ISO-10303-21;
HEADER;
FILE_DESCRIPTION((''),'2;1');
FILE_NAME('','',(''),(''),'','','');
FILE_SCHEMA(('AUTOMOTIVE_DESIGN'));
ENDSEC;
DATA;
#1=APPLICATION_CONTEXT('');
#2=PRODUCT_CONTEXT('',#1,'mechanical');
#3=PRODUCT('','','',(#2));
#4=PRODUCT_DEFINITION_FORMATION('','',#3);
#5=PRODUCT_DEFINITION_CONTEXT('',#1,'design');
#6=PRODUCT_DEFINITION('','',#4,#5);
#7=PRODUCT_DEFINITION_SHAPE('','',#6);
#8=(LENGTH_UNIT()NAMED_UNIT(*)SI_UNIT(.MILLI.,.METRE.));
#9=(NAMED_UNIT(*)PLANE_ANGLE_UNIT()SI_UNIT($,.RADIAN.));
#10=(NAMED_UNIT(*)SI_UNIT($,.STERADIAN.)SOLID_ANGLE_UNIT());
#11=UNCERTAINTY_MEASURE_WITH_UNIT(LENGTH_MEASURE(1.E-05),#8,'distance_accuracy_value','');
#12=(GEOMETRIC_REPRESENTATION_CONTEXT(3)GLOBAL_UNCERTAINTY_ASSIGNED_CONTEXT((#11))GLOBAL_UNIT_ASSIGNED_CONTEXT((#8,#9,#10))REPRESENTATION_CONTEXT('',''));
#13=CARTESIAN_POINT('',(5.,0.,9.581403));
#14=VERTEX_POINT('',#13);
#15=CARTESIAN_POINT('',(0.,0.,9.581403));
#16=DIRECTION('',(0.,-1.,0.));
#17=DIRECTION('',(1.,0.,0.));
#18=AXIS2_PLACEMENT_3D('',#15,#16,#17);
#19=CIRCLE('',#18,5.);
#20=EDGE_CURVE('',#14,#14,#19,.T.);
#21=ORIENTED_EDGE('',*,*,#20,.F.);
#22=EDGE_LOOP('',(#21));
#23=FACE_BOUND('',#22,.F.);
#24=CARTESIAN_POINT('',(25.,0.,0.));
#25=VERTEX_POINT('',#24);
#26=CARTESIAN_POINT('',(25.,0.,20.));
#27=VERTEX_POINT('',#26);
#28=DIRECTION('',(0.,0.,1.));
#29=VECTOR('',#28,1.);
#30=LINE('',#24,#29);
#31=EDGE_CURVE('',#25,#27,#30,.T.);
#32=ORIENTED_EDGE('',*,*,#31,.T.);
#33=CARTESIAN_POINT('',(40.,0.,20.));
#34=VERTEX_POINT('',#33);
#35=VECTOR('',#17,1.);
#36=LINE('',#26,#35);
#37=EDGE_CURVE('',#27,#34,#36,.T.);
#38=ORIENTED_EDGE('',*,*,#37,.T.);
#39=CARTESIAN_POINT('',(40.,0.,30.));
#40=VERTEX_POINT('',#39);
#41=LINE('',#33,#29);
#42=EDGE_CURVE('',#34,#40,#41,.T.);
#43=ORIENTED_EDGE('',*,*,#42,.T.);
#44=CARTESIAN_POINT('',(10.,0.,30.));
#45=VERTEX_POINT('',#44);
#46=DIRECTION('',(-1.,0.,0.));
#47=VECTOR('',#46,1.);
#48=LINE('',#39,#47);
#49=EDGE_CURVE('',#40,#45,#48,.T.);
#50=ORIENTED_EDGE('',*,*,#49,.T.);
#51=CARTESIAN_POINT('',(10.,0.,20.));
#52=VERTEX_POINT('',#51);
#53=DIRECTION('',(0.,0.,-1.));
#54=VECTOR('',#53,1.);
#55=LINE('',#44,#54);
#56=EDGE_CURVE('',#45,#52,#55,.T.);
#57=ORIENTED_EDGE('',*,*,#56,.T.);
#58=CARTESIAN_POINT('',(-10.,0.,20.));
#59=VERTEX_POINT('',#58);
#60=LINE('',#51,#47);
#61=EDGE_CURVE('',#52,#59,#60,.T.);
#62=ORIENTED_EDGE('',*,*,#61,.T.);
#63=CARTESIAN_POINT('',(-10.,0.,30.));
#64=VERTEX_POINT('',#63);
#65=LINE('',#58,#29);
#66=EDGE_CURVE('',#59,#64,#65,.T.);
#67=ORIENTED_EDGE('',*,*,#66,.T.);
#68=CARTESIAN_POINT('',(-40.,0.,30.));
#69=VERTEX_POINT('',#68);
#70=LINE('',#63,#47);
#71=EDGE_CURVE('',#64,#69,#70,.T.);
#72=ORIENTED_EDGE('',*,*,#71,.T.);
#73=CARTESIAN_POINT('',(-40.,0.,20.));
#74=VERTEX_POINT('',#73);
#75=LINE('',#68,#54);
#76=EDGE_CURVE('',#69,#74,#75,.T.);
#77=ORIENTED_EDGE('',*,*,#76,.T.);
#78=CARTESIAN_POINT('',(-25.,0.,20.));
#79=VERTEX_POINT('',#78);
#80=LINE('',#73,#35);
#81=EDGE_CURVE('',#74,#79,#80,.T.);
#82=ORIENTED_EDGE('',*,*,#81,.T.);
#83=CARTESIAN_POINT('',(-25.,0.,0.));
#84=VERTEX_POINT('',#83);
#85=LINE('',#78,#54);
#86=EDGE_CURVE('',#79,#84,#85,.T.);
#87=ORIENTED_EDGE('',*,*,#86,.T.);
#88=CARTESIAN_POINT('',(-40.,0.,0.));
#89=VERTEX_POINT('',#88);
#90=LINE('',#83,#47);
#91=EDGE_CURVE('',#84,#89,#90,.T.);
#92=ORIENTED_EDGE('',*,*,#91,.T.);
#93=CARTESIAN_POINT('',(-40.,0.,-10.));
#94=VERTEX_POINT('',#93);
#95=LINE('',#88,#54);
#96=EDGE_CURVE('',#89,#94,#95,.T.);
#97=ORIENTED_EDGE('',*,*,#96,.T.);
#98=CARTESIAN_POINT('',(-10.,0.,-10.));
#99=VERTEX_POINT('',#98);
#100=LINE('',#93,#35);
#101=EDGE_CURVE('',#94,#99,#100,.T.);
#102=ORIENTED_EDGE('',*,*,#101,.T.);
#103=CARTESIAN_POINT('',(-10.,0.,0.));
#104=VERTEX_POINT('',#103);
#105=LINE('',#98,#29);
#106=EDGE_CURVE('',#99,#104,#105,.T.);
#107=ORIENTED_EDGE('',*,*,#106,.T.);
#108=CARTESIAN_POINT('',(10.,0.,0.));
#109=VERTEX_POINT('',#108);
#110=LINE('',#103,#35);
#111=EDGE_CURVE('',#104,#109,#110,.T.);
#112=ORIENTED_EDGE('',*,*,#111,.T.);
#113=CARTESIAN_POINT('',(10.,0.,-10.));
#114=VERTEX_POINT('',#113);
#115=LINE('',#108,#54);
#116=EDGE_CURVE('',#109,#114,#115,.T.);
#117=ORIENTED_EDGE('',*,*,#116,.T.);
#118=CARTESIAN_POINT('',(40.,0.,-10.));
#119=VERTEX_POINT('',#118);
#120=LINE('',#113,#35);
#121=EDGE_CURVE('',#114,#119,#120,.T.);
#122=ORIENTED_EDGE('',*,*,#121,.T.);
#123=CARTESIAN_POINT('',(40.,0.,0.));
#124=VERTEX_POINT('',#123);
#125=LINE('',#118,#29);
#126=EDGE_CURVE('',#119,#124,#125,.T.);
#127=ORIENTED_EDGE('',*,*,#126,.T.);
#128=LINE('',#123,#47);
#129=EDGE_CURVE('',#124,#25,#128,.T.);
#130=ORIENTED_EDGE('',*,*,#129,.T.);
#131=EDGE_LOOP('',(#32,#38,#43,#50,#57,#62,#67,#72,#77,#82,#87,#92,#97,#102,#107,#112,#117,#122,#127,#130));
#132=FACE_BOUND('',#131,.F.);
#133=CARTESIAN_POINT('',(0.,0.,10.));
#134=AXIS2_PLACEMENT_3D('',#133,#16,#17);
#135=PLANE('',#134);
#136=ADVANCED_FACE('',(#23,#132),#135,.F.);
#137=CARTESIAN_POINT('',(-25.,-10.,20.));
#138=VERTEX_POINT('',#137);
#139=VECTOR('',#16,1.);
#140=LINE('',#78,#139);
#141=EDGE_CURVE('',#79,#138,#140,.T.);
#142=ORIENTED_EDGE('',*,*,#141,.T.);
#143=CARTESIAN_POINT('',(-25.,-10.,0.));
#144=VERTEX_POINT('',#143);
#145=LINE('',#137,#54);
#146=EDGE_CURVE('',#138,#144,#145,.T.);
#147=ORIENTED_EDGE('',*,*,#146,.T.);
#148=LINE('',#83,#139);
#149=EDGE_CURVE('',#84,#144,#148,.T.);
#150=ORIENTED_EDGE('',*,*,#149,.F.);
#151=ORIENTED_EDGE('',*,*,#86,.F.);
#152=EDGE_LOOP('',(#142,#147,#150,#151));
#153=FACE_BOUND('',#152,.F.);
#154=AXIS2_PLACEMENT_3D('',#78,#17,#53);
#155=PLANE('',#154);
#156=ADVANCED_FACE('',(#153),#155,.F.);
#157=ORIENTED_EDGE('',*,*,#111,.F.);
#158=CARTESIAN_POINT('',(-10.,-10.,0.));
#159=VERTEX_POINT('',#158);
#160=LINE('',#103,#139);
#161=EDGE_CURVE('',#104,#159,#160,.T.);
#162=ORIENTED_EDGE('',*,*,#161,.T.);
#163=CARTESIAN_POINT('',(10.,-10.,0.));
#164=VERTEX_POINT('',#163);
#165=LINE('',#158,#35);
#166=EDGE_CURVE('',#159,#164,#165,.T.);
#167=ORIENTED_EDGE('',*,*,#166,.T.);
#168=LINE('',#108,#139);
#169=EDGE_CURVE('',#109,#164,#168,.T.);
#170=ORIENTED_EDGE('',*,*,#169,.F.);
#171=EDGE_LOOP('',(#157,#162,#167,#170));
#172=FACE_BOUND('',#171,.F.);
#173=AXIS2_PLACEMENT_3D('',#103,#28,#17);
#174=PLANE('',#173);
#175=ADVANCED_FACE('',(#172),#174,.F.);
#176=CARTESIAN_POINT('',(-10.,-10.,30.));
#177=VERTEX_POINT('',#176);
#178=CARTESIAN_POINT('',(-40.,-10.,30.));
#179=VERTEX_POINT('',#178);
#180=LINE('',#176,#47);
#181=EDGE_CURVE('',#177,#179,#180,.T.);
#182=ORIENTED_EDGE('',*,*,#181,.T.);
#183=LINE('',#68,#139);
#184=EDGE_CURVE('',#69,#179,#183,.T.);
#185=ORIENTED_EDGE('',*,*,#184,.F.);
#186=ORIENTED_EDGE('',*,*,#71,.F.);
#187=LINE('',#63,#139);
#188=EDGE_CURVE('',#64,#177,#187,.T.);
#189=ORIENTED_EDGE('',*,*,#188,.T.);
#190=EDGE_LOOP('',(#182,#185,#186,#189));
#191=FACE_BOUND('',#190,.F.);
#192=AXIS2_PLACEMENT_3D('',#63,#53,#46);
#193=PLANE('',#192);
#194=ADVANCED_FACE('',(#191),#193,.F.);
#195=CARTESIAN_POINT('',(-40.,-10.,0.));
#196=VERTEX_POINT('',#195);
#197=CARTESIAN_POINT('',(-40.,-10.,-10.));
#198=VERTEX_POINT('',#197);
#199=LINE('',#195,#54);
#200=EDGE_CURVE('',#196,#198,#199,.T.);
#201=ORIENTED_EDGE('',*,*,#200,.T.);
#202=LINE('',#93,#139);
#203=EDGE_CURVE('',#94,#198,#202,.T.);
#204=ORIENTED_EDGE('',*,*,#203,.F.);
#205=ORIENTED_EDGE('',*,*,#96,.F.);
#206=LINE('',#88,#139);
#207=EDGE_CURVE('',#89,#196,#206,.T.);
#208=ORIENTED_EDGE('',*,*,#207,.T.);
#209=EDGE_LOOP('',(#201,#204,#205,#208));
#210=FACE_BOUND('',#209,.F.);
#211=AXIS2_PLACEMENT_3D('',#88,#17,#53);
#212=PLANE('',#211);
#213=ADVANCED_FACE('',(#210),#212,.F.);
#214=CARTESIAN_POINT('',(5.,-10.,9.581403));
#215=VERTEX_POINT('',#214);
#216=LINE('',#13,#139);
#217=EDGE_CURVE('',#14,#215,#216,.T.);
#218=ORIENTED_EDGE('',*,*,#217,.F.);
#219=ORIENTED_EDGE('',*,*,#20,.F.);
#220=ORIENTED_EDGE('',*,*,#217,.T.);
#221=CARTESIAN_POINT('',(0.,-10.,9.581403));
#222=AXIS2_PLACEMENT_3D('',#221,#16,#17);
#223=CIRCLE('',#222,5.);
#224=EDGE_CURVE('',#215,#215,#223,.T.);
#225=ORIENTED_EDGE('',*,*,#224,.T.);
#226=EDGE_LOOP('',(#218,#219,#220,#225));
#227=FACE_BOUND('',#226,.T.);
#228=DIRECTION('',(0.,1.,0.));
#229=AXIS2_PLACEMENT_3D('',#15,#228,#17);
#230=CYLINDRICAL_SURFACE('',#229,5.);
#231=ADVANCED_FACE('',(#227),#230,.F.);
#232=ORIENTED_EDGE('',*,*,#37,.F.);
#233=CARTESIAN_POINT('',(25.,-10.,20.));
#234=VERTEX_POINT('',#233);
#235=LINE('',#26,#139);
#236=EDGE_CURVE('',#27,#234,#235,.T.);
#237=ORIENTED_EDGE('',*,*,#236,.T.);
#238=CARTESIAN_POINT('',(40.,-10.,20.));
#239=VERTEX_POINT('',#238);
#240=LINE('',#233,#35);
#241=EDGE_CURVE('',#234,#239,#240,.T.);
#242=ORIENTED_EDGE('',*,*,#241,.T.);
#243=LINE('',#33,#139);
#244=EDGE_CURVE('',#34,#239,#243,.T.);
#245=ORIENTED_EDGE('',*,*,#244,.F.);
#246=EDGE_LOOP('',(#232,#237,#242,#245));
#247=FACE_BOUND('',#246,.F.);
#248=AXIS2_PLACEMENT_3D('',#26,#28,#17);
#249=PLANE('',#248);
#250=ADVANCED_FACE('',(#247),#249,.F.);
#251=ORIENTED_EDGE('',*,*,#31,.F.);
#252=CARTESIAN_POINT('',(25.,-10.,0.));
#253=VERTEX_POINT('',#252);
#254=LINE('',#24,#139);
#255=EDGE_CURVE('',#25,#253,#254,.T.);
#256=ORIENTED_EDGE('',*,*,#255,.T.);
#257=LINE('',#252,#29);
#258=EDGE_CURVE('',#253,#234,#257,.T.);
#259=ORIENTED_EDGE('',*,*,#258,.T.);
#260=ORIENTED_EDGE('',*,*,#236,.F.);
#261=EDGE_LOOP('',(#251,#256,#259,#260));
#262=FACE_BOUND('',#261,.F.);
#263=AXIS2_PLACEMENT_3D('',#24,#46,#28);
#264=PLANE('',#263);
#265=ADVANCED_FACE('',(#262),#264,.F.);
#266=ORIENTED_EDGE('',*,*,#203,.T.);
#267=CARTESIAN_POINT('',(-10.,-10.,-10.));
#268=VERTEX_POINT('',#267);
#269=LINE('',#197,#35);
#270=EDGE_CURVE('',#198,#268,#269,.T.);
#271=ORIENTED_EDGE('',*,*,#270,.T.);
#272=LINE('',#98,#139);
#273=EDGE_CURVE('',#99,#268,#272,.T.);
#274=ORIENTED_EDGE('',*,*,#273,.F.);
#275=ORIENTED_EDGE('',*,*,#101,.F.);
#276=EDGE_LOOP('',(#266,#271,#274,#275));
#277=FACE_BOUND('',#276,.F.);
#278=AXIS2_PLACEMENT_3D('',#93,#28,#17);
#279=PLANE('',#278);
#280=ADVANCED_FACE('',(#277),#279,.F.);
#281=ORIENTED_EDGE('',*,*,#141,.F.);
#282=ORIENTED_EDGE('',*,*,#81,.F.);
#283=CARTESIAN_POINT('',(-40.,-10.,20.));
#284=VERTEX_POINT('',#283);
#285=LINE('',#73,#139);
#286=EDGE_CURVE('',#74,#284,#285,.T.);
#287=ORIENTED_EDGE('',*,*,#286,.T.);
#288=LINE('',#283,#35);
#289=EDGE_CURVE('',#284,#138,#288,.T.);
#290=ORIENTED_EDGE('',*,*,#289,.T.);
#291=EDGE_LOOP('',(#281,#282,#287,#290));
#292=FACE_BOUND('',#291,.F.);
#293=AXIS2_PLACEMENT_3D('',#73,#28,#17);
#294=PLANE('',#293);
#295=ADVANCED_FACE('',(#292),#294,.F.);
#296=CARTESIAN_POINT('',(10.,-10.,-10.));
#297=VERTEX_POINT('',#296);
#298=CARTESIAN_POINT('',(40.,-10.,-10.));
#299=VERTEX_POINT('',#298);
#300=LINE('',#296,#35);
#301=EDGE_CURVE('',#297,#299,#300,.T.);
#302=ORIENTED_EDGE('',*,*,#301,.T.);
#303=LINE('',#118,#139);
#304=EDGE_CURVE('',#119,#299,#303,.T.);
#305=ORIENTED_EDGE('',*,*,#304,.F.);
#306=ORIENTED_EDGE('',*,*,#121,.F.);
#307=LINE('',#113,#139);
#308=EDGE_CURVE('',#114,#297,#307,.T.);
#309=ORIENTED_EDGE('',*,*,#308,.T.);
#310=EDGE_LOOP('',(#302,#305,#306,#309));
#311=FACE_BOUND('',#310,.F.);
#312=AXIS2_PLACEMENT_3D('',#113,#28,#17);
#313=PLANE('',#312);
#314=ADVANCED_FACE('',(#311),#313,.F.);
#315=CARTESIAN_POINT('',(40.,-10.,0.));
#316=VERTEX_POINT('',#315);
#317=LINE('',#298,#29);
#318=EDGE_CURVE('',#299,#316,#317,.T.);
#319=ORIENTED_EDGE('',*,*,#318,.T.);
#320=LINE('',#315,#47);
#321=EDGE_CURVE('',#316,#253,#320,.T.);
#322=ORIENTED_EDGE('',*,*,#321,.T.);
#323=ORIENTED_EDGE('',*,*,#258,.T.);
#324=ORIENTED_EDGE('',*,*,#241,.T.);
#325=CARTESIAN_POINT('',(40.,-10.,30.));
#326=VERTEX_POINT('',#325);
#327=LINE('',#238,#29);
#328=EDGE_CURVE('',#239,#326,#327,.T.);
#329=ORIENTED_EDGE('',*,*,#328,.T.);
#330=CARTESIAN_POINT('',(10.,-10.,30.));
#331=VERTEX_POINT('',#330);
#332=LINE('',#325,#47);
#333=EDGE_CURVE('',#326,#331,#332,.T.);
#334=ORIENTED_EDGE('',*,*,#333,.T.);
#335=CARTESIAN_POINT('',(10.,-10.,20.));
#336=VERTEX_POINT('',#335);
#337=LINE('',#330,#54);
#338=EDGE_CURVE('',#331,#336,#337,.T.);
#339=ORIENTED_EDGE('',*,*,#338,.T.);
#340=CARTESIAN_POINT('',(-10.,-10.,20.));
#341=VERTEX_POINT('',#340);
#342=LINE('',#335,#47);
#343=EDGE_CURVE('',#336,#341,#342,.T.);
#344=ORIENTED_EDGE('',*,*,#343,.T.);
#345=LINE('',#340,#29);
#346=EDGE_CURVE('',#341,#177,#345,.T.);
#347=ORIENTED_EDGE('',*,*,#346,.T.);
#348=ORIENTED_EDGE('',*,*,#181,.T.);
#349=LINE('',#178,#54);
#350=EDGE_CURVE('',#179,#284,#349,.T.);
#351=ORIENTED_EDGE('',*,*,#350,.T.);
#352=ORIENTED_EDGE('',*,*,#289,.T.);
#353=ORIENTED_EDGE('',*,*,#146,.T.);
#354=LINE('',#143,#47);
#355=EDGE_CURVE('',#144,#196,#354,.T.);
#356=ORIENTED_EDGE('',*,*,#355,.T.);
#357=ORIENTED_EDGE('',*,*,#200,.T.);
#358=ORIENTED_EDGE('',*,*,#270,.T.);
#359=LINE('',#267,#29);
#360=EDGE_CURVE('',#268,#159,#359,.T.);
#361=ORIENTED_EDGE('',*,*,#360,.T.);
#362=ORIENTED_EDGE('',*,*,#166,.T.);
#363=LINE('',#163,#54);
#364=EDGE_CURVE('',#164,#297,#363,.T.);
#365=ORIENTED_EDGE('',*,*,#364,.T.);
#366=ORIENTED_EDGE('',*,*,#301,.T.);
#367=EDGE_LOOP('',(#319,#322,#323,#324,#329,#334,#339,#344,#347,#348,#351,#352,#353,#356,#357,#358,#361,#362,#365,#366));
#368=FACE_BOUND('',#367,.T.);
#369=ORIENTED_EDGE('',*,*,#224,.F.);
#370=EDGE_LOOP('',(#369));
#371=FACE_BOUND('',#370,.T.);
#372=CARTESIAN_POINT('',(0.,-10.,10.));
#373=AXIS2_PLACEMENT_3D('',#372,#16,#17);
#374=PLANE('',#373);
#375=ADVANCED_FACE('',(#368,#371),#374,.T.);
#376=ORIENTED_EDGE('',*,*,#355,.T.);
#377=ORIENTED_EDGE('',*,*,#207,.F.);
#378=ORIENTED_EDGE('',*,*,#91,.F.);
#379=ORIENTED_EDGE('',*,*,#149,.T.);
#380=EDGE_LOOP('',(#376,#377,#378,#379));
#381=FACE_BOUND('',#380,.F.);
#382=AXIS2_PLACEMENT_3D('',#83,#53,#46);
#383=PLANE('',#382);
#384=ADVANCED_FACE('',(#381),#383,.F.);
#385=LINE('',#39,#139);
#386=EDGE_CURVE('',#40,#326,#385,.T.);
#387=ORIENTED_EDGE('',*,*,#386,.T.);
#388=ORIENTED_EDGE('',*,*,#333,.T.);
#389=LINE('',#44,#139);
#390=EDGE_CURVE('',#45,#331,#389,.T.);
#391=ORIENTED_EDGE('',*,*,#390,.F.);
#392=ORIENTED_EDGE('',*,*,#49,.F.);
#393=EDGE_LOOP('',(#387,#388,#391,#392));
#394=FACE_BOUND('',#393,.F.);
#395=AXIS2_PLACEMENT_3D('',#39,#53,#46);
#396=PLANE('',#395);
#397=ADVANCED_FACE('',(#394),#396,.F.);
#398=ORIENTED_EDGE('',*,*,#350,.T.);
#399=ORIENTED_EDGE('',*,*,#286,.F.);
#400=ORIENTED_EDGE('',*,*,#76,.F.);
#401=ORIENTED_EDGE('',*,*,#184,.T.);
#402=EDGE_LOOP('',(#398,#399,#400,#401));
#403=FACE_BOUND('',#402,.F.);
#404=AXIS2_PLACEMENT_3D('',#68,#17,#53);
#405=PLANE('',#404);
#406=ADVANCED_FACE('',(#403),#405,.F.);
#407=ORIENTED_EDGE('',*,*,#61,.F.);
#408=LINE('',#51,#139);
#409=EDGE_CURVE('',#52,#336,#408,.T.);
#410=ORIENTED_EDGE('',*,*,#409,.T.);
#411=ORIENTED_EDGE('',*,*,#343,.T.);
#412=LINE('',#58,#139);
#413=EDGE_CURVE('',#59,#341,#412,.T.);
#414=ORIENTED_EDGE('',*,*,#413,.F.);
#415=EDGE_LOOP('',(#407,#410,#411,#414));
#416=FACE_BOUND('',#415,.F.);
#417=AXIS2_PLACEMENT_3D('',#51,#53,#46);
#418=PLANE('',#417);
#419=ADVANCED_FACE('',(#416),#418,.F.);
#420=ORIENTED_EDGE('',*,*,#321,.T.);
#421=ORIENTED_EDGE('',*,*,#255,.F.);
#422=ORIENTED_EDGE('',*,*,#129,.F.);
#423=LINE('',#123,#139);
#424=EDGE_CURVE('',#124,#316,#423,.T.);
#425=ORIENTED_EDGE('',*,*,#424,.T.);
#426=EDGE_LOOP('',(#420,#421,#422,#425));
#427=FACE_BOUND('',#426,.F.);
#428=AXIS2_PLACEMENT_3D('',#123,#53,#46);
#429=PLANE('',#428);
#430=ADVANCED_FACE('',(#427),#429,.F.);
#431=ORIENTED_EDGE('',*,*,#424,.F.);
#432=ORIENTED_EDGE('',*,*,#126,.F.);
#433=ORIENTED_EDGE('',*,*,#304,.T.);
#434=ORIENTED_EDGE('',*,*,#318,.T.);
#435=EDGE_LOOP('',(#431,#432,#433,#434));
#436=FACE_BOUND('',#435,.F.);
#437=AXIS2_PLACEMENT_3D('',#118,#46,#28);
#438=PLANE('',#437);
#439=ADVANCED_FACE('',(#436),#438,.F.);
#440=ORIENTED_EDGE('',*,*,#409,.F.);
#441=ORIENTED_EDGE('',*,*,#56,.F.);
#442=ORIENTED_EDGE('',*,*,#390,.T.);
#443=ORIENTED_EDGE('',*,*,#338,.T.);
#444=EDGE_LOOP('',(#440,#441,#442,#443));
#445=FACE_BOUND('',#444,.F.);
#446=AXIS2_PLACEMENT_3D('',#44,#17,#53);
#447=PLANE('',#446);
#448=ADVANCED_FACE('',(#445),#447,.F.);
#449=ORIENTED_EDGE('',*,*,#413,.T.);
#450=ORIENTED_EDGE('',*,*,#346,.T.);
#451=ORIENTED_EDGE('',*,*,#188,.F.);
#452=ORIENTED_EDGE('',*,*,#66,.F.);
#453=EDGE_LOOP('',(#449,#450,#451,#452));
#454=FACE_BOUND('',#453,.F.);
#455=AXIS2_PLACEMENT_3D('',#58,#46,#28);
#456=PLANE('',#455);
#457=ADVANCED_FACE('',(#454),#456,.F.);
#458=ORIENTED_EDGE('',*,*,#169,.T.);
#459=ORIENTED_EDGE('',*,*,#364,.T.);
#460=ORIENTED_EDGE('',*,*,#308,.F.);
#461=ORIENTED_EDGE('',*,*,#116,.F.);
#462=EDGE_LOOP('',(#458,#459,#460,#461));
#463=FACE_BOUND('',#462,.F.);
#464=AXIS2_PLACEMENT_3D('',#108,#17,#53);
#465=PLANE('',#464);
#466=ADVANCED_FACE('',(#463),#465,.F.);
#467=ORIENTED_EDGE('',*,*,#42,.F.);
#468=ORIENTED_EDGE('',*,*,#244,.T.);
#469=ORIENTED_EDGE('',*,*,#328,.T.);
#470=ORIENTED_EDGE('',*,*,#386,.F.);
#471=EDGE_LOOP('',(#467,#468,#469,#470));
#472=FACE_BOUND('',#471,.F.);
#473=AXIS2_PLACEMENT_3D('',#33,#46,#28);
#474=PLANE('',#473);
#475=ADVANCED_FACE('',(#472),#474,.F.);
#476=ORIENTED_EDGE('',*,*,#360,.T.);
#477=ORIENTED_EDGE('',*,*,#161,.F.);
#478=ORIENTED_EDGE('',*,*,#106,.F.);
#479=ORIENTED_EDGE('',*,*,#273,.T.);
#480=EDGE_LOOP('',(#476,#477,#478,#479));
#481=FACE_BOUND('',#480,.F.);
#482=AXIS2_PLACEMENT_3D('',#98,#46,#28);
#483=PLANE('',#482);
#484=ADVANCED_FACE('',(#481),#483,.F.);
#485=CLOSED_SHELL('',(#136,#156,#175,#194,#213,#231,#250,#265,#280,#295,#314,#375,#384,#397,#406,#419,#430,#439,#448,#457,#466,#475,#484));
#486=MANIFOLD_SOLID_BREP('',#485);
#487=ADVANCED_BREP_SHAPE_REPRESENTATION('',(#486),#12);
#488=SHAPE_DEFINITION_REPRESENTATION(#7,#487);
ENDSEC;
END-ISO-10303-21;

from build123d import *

# Parameters (mm, degrees)
F0_R     = 5
F1_DEPTH = 10


with BuildPart() as f1:
    # F0 (on Front) → F1 (new body)
    with BuildSketch(Plane.XZ):
        Polygon((10, 20), (0, 20), (-10, 20), (-10, 30), (-40, 30), (-40, 20), (-25, 20), (-25, 0), (-40, 0), (-40, -10), (-10, -10), (-10, 0), (0, 0), (10, 0), (10, -10), (40, -10), (40, 0), (25, 0), (25, 20), (40, 20), (40, 30), (10, 30), align=None)
        with Locations((0, 9.581403)):
            Circle(F0_R, mode=Mode.SUBTRACT)
    extrude(amount=F1_DEPTH)


solid = f1.part
